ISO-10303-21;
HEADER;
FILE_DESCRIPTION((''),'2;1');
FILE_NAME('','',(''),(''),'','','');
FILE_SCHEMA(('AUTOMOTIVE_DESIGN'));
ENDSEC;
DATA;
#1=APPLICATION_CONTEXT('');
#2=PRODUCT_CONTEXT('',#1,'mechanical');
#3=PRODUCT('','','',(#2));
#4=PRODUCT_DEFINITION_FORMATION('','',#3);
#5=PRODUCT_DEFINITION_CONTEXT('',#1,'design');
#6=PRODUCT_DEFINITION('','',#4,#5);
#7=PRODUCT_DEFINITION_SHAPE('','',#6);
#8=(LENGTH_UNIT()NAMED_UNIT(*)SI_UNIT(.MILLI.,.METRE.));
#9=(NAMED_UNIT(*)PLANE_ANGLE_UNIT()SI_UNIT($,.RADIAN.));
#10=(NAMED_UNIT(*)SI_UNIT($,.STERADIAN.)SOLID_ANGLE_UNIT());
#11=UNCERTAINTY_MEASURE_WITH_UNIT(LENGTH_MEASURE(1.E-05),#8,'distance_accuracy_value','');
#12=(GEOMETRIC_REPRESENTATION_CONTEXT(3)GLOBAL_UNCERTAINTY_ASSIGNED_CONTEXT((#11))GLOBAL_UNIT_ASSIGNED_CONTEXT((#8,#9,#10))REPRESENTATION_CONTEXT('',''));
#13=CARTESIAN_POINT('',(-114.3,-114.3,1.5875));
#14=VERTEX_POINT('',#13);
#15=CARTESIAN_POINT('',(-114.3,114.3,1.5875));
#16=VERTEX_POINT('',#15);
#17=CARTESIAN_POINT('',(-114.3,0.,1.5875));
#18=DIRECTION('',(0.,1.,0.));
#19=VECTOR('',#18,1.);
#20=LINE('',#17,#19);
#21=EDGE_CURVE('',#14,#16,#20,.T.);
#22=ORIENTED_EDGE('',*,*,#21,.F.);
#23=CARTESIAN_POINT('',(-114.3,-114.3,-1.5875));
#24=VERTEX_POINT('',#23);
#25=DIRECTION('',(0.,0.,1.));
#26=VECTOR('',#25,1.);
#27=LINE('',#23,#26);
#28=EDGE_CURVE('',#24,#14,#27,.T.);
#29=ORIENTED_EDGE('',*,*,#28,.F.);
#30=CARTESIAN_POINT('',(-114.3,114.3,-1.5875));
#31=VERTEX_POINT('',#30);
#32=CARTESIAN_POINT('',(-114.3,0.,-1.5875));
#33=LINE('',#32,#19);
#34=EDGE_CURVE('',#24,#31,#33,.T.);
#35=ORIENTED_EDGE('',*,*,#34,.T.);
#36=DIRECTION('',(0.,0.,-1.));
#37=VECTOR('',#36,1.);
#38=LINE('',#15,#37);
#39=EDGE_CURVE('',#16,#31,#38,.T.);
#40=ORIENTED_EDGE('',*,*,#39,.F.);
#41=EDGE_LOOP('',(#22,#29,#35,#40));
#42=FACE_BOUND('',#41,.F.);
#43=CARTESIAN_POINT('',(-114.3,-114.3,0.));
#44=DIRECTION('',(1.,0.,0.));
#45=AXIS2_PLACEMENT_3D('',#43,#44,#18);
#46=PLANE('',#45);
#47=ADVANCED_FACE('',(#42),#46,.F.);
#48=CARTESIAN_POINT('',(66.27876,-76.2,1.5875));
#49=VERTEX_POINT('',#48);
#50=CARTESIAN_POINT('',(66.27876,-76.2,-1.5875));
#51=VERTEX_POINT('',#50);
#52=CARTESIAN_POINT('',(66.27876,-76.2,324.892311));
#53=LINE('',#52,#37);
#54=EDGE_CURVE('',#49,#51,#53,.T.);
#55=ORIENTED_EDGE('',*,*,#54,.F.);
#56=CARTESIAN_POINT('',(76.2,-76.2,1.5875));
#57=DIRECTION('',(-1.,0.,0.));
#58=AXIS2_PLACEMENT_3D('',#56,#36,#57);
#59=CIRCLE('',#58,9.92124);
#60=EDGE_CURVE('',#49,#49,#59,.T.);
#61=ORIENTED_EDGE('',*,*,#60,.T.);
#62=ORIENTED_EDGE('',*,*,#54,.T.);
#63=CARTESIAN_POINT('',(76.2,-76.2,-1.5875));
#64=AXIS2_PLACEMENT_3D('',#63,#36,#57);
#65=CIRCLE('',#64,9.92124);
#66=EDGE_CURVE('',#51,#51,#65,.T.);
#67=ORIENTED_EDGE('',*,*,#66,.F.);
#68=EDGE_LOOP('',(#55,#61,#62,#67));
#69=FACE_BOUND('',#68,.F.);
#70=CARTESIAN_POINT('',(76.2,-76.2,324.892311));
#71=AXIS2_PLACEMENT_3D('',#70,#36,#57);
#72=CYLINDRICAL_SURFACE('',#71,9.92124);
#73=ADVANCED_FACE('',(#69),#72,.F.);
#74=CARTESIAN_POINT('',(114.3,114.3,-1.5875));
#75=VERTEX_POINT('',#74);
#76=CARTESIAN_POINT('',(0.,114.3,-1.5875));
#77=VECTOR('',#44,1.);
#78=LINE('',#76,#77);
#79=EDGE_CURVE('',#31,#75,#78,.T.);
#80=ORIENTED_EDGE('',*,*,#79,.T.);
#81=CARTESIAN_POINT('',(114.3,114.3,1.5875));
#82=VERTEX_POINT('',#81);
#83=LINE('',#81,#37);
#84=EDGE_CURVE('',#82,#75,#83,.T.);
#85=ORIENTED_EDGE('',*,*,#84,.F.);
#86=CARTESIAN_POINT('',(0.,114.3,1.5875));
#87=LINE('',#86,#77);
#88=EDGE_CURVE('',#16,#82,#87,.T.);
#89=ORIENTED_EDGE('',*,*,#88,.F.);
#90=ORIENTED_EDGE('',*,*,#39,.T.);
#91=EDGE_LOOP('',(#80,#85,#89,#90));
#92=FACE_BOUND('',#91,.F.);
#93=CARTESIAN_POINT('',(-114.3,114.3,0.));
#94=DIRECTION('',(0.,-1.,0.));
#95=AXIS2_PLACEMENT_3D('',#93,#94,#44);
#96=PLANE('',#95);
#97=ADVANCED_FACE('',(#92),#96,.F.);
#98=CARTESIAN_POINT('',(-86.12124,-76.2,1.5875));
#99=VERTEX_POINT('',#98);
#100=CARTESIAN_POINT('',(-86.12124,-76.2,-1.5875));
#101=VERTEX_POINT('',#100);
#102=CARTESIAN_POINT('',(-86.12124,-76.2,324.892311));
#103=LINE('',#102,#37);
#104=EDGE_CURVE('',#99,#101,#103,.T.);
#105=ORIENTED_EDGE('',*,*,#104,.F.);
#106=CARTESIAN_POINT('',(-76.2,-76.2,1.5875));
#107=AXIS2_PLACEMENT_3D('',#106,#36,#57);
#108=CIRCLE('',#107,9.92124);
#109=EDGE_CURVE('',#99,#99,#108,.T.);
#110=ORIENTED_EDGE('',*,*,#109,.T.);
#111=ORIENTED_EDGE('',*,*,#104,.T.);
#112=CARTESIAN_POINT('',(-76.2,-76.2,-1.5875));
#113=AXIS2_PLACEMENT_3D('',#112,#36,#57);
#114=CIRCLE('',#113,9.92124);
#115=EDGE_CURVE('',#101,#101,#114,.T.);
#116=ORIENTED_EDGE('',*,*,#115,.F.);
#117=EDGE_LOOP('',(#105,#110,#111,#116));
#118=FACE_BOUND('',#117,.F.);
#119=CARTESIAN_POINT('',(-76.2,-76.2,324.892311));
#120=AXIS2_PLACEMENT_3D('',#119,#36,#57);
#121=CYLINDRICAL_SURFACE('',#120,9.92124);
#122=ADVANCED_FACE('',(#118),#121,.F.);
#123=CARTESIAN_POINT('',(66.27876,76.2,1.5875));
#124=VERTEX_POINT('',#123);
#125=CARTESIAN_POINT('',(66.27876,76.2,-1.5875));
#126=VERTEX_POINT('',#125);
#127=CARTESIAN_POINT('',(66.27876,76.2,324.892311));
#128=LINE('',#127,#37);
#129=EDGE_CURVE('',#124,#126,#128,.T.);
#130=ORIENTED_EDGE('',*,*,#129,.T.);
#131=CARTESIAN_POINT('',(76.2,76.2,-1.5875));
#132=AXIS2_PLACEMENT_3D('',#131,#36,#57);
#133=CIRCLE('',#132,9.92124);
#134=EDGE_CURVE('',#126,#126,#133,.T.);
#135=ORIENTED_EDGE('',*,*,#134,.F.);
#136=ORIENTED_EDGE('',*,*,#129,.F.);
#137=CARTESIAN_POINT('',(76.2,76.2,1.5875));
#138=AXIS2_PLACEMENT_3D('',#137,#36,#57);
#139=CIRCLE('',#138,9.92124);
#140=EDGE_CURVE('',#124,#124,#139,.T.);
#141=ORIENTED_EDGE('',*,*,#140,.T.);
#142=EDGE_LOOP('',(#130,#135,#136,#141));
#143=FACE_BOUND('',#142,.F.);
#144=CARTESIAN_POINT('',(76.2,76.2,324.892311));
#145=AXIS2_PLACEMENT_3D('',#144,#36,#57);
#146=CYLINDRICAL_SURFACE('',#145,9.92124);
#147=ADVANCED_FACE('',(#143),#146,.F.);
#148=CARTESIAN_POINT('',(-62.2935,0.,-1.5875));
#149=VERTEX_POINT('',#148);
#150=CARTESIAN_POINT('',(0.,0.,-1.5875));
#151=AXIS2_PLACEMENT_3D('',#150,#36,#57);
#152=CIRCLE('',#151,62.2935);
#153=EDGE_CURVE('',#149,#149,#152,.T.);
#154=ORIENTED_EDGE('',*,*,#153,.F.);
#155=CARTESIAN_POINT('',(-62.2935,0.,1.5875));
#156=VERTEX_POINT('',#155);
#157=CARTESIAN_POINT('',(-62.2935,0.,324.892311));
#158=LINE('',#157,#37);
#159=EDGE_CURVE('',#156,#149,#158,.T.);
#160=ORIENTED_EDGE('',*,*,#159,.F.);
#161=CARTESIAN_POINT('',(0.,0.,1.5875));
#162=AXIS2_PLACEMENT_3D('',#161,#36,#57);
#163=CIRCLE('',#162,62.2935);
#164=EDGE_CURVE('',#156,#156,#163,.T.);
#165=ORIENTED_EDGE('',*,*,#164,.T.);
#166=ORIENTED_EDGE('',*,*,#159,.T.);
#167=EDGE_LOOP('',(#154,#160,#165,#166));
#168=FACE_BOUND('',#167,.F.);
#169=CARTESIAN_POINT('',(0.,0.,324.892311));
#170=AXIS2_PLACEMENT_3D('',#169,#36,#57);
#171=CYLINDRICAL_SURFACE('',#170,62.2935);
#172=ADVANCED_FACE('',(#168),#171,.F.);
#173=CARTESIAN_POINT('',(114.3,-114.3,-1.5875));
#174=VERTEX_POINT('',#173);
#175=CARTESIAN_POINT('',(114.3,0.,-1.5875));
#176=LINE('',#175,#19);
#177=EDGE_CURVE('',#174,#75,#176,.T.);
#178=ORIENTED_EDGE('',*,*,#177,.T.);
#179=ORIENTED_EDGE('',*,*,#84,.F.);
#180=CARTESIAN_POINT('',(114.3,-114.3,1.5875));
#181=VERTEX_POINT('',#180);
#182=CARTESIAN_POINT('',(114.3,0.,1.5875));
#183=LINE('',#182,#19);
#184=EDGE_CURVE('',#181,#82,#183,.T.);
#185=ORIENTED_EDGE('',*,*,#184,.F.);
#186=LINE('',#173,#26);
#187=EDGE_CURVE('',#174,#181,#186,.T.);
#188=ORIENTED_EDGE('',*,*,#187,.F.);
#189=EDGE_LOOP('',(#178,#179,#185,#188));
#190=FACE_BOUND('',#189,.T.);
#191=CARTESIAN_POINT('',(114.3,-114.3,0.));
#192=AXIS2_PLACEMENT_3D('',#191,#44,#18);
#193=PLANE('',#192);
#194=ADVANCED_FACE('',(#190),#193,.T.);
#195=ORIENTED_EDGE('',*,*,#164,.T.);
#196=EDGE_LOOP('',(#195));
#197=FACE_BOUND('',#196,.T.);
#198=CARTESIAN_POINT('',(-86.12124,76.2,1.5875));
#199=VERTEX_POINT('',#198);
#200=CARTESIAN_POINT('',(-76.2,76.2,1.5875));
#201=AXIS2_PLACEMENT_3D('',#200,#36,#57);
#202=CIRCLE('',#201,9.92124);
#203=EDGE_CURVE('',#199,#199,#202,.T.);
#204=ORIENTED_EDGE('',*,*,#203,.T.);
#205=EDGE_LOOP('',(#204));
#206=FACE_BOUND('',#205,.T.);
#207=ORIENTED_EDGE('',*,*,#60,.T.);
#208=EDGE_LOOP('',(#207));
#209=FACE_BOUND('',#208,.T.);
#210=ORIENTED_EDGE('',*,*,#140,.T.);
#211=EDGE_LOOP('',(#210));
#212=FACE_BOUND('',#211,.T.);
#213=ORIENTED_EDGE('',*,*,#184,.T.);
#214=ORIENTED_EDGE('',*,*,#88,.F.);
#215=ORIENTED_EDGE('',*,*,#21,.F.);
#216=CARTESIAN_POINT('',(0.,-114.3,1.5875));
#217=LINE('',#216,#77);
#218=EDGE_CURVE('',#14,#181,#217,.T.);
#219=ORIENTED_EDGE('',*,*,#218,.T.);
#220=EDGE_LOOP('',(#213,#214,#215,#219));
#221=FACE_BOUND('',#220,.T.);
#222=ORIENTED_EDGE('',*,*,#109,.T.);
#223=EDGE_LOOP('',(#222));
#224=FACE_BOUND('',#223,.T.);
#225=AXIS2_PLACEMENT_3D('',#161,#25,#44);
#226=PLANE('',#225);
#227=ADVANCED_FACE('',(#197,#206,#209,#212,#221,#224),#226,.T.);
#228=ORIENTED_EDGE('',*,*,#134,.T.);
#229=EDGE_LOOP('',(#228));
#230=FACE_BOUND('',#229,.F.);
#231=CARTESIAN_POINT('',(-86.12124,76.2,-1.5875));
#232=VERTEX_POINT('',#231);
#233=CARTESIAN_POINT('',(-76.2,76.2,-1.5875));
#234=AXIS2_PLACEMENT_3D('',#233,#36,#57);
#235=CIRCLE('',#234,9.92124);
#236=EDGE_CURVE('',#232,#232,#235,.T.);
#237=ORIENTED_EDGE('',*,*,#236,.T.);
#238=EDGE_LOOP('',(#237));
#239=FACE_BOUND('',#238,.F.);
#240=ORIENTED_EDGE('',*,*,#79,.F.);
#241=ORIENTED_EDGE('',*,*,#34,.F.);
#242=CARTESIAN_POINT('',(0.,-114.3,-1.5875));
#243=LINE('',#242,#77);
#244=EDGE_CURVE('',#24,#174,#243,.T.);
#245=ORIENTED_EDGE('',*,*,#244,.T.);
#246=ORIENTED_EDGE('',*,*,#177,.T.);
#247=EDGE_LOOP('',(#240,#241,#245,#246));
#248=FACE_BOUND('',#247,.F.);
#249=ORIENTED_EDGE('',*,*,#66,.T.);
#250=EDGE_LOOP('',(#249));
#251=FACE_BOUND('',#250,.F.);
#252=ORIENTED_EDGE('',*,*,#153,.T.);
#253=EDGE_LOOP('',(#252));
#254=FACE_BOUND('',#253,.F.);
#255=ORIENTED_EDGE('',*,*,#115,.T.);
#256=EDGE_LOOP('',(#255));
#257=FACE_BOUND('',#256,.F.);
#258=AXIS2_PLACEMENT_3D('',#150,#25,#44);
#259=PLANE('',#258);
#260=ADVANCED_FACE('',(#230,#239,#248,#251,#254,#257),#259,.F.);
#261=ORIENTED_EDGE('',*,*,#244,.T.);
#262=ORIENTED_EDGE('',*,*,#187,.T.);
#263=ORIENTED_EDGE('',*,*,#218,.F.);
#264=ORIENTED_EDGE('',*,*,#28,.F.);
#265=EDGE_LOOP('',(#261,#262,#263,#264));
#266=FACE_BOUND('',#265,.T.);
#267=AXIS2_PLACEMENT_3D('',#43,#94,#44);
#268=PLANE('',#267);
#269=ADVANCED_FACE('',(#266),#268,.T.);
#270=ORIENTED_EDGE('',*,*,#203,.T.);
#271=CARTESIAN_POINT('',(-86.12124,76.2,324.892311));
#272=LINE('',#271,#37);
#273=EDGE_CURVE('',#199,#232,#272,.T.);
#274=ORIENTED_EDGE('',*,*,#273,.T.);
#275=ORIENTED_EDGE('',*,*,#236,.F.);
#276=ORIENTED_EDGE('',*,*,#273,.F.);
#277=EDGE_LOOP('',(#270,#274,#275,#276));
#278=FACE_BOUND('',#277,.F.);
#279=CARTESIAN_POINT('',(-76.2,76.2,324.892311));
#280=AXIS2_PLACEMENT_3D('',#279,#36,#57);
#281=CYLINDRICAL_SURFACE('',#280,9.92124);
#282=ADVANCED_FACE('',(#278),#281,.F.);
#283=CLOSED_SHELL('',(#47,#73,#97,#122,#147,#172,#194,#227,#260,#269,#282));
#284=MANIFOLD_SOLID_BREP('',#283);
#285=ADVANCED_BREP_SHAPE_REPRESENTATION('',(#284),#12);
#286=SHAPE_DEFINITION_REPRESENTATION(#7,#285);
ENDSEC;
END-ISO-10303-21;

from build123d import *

# Parameters (mm, degrees)
F0_W     = 228.6
F0_H     = 228.6
F1_DEPTH = 1.5875
F3_D     = 19.84248
F4_D     = 124.587


with BuildPart() as f1:
    # F0 (on Top) → F1 (new body, symmetric)
    with BuildSketch(Plane.XY):
        Rectangle(F0_W, F0_H)
    extrude(amount=F1_DEPTH, both=True)

    # F3 (through all)
    with Locations(Plane.XY.offset(1.5875)):
        with Locations((-76.2, 76.2), (76.2, 76.2), (-76.2, -76.2), (76.2, -76.2)):
            Hole(F3_D / 2)

    # F4 (through all)
    with Locations(Plane.XY.offset(1.5875)):
        with Locations((0, 0)):
            Hole(F4_D / 2)


solid = f1.part
